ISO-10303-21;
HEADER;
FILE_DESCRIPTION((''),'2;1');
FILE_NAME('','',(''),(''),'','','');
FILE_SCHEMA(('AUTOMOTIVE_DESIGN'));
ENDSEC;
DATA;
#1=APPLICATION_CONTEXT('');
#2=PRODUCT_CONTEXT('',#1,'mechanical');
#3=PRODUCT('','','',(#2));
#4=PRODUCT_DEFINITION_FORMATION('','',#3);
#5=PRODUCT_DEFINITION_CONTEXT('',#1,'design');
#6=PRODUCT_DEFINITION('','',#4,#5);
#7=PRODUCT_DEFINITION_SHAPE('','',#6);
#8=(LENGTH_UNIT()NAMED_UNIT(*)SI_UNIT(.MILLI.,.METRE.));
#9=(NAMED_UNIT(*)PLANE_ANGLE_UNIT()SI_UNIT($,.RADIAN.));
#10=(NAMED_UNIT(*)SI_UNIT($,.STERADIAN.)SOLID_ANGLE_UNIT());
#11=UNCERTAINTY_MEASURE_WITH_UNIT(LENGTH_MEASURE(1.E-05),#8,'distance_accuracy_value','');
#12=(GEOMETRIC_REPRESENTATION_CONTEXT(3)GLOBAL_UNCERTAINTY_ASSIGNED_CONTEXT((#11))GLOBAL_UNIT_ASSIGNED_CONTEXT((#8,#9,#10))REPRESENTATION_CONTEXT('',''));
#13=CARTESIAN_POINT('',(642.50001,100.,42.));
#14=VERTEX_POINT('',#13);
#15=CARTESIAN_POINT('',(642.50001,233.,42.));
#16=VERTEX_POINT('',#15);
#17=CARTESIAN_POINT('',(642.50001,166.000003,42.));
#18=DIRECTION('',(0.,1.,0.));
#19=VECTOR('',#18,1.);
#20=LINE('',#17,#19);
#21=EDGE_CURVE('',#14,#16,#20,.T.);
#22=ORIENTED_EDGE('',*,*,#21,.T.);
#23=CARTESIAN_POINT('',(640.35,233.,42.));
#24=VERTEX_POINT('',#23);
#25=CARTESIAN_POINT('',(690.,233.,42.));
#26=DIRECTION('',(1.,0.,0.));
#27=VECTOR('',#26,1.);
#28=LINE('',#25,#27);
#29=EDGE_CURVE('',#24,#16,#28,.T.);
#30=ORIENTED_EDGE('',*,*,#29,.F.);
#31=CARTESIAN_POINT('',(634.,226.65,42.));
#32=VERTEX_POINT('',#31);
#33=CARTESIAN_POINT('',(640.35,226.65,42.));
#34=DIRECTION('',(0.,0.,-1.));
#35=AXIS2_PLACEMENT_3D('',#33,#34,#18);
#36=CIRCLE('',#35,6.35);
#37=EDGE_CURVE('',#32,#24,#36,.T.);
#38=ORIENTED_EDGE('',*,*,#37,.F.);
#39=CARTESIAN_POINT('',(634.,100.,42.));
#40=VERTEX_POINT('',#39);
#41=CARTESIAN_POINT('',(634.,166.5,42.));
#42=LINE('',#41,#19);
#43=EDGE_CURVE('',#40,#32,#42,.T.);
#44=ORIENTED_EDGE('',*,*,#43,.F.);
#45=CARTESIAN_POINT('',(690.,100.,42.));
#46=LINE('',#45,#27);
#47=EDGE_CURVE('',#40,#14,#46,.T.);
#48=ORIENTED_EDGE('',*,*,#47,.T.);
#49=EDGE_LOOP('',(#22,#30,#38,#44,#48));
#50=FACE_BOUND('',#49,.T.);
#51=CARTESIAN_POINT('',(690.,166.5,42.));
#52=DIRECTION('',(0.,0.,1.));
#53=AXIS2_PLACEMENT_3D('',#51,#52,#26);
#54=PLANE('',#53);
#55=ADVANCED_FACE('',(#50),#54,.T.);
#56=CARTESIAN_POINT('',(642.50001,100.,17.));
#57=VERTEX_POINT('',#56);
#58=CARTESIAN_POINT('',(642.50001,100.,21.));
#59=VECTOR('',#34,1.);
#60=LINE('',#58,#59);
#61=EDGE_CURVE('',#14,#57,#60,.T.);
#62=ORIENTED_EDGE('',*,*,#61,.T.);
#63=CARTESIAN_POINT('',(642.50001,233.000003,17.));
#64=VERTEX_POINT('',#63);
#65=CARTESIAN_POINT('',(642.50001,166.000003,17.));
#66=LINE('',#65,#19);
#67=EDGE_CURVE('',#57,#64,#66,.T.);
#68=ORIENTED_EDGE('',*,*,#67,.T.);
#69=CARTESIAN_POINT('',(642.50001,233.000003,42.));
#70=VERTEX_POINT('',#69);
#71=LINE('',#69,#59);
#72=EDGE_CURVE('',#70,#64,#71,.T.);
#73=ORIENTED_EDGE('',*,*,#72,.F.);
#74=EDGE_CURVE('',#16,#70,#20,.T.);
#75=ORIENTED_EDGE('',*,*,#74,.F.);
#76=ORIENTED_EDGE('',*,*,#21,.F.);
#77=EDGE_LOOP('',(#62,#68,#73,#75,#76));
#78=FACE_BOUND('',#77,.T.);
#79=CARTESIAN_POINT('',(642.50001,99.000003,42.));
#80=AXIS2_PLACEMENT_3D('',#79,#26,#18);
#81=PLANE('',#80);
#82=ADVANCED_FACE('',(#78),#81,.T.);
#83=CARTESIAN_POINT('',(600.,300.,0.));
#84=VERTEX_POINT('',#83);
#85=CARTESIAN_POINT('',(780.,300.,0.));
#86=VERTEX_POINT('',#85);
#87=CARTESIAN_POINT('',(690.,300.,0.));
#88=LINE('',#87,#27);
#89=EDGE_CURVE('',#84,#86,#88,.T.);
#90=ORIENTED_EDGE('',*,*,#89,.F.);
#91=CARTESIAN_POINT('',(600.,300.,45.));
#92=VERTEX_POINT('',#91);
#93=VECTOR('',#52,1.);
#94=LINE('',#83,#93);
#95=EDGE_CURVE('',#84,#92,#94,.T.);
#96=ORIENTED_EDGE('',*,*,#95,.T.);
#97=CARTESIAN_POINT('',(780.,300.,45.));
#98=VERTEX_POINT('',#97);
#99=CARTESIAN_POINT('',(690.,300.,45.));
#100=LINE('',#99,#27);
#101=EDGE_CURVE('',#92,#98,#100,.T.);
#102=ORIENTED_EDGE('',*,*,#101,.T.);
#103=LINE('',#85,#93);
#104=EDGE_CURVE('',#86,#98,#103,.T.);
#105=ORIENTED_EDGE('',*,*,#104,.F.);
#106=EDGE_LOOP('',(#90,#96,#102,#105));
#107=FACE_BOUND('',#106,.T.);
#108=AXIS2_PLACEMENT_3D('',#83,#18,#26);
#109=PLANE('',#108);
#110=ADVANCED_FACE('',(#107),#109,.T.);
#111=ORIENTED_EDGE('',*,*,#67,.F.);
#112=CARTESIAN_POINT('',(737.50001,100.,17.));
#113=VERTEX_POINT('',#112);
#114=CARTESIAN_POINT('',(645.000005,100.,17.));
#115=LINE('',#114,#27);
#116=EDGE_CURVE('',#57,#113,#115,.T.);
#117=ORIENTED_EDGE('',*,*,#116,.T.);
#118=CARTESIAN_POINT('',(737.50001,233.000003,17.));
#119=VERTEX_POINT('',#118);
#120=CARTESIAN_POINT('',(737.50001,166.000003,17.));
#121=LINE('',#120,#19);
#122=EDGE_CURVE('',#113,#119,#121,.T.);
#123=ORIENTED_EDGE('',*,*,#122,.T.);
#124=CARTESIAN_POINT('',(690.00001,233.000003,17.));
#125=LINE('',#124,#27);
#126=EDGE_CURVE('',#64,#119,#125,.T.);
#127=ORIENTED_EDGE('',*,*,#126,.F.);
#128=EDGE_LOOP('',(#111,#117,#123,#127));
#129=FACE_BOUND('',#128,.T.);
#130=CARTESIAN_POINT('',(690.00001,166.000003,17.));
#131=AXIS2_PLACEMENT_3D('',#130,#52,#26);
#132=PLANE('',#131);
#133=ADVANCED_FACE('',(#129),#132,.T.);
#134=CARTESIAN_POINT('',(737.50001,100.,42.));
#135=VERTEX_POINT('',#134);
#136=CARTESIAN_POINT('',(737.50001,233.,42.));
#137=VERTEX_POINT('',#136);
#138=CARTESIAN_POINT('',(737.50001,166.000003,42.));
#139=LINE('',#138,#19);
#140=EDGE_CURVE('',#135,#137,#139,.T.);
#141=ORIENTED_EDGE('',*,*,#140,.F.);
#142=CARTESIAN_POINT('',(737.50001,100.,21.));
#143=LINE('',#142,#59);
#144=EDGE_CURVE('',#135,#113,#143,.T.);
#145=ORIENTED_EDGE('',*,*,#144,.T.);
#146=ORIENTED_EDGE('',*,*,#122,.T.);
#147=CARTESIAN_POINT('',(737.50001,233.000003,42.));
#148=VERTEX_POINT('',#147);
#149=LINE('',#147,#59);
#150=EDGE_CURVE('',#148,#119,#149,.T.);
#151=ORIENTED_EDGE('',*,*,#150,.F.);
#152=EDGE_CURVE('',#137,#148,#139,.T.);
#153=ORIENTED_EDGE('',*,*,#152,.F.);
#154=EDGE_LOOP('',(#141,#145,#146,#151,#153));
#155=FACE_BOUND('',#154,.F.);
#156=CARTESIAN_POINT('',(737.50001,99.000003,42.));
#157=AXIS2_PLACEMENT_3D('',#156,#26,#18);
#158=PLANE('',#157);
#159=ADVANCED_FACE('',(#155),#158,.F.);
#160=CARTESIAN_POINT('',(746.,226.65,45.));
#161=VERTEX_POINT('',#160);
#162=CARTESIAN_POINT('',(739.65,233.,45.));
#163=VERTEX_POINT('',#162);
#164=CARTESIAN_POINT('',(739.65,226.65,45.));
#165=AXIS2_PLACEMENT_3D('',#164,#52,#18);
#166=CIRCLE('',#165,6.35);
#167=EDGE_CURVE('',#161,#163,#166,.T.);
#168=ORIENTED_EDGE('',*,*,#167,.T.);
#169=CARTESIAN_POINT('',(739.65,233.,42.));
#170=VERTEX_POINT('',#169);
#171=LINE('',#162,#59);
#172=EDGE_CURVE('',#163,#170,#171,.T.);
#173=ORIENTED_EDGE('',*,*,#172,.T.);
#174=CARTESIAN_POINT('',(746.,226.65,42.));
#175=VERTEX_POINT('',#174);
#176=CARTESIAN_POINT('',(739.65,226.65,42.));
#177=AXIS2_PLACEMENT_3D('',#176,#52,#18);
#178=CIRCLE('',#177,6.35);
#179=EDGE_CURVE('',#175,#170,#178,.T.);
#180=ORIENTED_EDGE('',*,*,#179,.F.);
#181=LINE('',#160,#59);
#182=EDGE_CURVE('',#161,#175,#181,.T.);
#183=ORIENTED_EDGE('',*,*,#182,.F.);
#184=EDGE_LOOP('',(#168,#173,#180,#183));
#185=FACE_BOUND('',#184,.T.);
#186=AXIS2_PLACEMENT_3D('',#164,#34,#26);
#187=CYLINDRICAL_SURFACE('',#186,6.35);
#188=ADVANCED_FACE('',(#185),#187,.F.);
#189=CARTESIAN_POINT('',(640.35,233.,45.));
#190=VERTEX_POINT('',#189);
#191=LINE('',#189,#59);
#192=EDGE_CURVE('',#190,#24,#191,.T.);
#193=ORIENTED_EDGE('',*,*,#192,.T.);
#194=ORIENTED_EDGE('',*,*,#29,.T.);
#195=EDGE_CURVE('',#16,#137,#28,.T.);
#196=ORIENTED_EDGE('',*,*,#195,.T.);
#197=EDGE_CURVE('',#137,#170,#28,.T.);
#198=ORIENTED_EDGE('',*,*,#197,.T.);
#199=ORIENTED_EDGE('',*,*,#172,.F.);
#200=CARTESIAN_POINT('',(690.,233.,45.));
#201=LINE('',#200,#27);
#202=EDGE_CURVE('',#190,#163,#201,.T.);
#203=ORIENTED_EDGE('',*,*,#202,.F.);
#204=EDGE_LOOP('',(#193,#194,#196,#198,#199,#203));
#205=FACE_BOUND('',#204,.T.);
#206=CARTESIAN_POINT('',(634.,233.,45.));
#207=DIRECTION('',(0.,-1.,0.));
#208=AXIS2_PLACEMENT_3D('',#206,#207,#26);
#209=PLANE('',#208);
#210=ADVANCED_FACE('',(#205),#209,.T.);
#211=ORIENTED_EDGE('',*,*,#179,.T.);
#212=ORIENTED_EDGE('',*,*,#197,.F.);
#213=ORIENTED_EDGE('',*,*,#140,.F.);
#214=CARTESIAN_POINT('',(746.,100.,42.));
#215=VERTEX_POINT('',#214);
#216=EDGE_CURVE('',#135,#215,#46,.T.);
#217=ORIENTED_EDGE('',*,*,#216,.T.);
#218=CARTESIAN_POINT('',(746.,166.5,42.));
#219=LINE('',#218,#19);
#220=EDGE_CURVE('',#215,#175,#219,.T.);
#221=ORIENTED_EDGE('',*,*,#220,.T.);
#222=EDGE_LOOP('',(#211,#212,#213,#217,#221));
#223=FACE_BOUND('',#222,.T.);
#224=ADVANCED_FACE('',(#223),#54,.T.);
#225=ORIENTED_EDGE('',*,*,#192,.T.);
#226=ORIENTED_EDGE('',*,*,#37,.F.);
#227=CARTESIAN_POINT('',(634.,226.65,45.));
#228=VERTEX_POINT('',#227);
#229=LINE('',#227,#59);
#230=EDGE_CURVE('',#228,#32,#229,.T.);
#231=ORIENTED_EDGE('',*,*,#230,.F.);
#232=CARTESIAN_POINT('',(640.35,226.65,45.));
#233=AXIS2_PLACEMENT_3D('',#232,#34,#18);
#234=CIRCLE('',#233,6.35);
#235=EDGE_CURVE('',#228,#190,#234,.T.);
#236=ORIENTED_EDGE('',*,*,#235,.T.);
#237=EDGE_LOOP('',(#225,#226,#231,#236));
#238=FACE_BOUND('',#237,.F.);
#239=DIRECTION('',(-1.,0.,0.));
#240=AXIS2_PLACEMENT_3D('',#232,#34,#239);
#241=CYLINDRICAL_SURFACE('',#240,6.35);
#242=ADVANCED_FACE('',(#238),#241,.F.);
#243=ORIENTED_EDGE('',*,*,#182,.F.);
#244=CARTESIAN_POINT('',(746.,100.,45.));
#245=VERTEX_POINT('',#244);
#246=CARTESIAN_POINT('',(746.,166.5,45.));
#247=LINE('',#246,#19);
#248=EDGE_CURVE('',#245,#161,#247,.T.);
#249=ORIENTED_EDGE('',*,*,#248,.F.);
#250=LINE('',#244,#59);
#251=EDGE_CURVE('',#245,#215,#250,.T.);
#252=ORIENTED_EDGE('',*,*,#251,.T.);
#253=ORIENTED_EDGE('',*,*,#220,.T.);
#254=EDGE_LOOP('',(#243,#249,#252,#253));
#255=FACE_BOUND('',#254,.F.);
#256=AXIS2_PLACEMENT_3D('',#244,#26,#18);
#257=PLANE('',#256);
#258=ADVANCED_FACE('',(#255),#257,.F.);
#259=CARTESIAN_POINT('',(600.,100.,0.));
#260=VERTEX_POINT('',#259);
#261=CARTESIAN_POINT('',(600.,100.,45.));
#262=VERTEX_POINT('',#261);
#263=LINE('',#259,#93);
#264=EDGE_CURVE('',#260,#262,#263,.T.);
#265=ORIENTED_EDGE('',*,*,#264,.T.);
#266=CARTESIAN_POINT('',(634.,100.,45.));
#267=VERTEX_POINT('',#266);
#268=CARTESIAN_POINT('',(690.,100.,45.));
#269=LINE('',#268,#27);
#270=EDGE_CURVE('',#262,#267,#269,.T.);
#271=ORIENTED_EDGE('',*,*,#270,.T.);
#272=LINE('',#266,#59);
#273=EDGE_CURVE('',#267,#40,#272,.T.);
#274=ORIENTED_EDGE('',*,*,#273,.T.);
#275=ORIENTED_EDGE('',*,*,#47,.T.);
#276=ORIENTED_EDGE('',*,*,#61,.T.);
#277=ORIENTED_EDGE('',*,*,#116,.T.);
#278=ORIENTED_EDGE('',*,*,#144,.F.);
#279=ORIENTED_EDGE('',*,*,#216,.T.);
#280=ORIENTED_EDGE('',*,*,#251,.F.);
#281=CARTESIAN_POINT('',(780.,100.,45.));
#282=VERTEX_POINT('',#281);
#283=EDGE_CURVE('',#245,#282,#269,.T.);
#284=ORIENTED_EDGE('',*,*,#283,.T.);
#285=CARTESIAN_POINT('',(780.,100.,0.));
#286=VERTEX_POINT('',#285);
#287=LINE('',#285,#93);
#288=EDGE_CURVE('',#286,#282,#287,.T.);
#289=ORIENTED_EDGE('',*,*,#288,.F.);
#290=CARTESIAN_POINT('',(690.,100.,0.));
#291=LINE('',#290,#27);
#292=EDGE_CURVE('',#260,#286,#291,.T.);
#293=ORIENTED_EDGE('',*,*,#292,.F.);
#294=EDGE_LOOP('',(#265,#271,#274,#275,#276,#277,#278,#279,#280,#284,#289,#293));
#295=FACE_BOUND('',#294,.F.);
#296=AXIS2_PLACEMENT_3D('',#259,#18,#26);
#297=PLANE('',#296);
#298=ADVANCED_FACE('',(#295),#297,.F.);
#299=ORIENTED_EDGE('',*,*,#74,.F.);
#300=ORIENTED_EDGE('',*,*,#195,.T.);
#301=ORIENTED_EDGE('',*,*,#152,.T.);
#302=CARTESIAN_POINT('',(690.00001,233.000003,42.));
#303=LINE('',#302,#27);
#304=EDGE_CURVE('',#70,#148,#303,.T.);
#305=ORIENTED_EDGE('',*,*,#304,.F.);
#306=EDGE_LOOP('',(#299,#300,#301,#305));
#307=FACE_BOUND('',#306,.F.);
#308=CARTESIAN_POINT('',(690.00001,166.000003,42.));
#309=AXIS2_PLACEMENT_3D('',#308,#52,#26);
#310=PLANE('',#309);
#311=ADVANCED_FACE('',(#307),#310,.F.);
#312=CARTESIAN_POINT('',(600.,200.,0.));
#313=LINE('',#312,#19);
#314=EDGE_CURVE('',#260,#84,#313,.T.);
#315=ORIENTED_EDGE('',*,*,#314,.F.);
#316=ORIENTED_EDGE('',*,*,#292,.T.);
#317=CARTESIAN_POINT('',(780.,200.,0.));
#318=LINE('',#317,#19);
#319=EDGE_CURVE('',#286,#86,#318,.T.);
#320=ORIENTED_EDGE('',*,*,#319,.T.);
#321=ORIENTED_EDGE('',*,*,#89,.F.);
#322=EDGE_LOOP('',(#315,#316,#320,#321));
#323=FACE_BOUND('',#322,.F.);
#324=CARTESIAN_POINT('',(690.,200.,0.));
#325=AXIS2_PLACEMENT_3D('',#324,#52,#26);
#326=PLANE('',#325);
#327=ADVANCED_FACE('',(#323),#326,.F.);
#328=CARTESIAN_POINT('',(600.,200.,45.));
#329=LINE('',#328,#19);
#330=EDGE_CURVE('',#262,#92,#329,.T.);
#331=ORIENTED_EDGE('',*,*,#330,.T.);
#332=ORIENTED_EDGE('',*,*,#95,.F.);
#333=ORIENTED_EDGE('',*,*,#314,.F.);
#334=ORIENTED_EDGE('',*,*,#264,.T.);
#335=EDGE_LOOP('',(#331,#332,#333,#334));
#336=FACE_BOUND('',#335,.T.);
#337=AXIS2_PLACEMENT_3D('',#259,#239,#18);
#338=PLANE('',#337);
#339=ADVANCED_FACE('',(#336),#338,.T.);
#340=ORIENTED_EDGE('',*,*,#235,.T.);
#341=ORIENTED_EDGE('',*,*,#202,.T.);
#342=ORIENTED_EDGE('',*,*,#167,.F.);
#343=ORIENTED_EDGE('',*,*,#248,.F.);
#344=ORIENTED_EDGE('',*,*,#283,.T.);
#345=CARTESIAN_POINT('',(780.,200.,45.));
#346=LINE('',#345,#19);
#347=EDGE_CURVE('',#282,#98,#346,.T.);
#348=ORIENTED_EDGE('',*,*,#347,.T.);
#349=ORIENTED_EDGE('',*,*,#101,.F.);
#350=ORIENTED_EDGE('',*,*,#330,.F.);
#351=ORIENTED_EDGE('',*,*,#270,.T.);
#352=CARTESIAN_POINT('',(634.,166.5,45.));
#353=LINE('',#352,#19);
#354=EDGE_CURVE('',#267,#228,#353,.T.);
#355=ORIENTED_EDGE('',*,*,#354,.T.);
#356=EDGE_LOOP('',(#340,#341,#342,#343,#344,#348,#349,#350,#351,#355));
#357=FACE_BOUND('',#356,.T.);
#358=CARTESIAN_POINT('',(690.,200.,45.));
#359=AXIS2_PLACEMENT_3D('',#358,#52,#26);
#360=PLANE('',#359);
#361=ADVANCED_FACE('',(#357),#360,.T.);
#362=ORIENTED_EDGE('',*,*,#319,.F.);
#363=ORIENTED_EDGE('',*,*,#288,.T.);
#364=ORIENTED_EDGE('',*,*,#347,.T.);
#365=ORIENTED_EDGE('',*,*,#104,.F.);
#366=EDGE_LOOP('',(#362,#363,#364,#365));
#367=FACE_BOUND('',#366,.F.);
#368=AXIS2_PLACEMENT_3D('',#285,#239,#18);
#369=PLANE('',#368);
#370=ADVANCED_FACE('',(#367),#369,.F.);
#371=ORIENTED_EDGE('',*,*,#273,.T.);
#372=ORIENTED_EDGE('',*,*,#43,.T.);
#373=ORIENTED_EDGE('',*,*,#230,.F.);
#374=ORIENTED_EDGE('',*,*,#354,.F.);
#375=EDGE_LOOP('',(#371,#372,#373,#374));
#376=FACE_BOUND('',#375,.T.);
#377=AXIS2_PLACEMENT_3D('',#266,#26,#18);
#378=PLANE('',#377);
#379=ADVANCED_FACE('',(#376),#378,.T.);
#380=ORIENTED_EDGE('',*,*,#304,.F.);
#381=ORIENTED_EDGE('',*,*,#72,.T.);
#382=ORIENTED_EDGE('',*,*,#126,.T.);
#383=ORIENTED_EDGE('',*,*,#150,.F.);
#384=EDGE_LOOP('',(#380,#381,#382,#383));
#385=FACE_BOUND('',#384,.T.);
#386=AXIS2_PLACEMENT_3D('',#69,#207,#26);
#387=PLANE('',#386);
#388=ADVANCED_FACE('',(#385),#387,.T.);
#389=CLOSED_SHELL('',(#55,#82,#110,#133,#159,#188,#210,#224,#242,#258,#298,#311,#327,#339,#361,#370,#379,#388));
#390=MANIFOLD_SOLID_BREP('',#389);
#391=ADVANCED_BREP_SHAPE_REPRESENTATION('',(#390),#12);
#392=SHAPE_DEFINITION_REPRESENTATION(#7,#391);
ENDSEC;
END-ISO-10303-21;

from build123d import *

# Parameters (mm, degrees)
SKETCH151_W     = 180
SKETCH151_H     = 200
PAD010_DEPTH    = 45
SKETCH152_W     = 112
SKETCH152_H     = 133
POCKET030_DEPTH = 3
SKETCH153_W     = 95
SKETCH153_H     = 134
POCKET031_DEPTH = 25
FILLET009_R     = 6.35


with BuildPart() as part:
    # Sketch151 → Pad010 (new body)
    with BuildSketch(Plane.XY):
        with Locations((690, 200)):
            Rectangle(SKETCH151_W, SKETCH151_H)
    extrude(amount=PAD010_DEPTH)

    # Sketch152 (on Face6 of Pad010) → Pocket030 (cut)
    with BuildSketch(Plane.XY.offset(45)):
        with Locations((690, 166.5)):
            Rectangle(SKETCH152_W, SKETCH152_H)
    extrude(amount=-POCKET030_DEPTH, mode=Mode.SUBTRACT)

    # Sketch153 (on Face6 of Pocket030) → Pocket031 (cut)
    with BuildSketch(Plane.XY.offset(42)):
        with Locations((690.00001, 166.000003)):
            Rectangle(SKETCH153_W, SKETCH153_H)
    extrude(amount=-POCKET031_DEPTH, mode=Mode.SUBTRACT)

    # Fillet009
    fillet009_edges = [part.edges().sort_by_distance(p)[0] for p in [
        (634, 233, 43.5),
        (746, 233, 43.5),
    ]]
    fillet(fillet009_edges, radius=FILLET009_R)


solid = part.part
